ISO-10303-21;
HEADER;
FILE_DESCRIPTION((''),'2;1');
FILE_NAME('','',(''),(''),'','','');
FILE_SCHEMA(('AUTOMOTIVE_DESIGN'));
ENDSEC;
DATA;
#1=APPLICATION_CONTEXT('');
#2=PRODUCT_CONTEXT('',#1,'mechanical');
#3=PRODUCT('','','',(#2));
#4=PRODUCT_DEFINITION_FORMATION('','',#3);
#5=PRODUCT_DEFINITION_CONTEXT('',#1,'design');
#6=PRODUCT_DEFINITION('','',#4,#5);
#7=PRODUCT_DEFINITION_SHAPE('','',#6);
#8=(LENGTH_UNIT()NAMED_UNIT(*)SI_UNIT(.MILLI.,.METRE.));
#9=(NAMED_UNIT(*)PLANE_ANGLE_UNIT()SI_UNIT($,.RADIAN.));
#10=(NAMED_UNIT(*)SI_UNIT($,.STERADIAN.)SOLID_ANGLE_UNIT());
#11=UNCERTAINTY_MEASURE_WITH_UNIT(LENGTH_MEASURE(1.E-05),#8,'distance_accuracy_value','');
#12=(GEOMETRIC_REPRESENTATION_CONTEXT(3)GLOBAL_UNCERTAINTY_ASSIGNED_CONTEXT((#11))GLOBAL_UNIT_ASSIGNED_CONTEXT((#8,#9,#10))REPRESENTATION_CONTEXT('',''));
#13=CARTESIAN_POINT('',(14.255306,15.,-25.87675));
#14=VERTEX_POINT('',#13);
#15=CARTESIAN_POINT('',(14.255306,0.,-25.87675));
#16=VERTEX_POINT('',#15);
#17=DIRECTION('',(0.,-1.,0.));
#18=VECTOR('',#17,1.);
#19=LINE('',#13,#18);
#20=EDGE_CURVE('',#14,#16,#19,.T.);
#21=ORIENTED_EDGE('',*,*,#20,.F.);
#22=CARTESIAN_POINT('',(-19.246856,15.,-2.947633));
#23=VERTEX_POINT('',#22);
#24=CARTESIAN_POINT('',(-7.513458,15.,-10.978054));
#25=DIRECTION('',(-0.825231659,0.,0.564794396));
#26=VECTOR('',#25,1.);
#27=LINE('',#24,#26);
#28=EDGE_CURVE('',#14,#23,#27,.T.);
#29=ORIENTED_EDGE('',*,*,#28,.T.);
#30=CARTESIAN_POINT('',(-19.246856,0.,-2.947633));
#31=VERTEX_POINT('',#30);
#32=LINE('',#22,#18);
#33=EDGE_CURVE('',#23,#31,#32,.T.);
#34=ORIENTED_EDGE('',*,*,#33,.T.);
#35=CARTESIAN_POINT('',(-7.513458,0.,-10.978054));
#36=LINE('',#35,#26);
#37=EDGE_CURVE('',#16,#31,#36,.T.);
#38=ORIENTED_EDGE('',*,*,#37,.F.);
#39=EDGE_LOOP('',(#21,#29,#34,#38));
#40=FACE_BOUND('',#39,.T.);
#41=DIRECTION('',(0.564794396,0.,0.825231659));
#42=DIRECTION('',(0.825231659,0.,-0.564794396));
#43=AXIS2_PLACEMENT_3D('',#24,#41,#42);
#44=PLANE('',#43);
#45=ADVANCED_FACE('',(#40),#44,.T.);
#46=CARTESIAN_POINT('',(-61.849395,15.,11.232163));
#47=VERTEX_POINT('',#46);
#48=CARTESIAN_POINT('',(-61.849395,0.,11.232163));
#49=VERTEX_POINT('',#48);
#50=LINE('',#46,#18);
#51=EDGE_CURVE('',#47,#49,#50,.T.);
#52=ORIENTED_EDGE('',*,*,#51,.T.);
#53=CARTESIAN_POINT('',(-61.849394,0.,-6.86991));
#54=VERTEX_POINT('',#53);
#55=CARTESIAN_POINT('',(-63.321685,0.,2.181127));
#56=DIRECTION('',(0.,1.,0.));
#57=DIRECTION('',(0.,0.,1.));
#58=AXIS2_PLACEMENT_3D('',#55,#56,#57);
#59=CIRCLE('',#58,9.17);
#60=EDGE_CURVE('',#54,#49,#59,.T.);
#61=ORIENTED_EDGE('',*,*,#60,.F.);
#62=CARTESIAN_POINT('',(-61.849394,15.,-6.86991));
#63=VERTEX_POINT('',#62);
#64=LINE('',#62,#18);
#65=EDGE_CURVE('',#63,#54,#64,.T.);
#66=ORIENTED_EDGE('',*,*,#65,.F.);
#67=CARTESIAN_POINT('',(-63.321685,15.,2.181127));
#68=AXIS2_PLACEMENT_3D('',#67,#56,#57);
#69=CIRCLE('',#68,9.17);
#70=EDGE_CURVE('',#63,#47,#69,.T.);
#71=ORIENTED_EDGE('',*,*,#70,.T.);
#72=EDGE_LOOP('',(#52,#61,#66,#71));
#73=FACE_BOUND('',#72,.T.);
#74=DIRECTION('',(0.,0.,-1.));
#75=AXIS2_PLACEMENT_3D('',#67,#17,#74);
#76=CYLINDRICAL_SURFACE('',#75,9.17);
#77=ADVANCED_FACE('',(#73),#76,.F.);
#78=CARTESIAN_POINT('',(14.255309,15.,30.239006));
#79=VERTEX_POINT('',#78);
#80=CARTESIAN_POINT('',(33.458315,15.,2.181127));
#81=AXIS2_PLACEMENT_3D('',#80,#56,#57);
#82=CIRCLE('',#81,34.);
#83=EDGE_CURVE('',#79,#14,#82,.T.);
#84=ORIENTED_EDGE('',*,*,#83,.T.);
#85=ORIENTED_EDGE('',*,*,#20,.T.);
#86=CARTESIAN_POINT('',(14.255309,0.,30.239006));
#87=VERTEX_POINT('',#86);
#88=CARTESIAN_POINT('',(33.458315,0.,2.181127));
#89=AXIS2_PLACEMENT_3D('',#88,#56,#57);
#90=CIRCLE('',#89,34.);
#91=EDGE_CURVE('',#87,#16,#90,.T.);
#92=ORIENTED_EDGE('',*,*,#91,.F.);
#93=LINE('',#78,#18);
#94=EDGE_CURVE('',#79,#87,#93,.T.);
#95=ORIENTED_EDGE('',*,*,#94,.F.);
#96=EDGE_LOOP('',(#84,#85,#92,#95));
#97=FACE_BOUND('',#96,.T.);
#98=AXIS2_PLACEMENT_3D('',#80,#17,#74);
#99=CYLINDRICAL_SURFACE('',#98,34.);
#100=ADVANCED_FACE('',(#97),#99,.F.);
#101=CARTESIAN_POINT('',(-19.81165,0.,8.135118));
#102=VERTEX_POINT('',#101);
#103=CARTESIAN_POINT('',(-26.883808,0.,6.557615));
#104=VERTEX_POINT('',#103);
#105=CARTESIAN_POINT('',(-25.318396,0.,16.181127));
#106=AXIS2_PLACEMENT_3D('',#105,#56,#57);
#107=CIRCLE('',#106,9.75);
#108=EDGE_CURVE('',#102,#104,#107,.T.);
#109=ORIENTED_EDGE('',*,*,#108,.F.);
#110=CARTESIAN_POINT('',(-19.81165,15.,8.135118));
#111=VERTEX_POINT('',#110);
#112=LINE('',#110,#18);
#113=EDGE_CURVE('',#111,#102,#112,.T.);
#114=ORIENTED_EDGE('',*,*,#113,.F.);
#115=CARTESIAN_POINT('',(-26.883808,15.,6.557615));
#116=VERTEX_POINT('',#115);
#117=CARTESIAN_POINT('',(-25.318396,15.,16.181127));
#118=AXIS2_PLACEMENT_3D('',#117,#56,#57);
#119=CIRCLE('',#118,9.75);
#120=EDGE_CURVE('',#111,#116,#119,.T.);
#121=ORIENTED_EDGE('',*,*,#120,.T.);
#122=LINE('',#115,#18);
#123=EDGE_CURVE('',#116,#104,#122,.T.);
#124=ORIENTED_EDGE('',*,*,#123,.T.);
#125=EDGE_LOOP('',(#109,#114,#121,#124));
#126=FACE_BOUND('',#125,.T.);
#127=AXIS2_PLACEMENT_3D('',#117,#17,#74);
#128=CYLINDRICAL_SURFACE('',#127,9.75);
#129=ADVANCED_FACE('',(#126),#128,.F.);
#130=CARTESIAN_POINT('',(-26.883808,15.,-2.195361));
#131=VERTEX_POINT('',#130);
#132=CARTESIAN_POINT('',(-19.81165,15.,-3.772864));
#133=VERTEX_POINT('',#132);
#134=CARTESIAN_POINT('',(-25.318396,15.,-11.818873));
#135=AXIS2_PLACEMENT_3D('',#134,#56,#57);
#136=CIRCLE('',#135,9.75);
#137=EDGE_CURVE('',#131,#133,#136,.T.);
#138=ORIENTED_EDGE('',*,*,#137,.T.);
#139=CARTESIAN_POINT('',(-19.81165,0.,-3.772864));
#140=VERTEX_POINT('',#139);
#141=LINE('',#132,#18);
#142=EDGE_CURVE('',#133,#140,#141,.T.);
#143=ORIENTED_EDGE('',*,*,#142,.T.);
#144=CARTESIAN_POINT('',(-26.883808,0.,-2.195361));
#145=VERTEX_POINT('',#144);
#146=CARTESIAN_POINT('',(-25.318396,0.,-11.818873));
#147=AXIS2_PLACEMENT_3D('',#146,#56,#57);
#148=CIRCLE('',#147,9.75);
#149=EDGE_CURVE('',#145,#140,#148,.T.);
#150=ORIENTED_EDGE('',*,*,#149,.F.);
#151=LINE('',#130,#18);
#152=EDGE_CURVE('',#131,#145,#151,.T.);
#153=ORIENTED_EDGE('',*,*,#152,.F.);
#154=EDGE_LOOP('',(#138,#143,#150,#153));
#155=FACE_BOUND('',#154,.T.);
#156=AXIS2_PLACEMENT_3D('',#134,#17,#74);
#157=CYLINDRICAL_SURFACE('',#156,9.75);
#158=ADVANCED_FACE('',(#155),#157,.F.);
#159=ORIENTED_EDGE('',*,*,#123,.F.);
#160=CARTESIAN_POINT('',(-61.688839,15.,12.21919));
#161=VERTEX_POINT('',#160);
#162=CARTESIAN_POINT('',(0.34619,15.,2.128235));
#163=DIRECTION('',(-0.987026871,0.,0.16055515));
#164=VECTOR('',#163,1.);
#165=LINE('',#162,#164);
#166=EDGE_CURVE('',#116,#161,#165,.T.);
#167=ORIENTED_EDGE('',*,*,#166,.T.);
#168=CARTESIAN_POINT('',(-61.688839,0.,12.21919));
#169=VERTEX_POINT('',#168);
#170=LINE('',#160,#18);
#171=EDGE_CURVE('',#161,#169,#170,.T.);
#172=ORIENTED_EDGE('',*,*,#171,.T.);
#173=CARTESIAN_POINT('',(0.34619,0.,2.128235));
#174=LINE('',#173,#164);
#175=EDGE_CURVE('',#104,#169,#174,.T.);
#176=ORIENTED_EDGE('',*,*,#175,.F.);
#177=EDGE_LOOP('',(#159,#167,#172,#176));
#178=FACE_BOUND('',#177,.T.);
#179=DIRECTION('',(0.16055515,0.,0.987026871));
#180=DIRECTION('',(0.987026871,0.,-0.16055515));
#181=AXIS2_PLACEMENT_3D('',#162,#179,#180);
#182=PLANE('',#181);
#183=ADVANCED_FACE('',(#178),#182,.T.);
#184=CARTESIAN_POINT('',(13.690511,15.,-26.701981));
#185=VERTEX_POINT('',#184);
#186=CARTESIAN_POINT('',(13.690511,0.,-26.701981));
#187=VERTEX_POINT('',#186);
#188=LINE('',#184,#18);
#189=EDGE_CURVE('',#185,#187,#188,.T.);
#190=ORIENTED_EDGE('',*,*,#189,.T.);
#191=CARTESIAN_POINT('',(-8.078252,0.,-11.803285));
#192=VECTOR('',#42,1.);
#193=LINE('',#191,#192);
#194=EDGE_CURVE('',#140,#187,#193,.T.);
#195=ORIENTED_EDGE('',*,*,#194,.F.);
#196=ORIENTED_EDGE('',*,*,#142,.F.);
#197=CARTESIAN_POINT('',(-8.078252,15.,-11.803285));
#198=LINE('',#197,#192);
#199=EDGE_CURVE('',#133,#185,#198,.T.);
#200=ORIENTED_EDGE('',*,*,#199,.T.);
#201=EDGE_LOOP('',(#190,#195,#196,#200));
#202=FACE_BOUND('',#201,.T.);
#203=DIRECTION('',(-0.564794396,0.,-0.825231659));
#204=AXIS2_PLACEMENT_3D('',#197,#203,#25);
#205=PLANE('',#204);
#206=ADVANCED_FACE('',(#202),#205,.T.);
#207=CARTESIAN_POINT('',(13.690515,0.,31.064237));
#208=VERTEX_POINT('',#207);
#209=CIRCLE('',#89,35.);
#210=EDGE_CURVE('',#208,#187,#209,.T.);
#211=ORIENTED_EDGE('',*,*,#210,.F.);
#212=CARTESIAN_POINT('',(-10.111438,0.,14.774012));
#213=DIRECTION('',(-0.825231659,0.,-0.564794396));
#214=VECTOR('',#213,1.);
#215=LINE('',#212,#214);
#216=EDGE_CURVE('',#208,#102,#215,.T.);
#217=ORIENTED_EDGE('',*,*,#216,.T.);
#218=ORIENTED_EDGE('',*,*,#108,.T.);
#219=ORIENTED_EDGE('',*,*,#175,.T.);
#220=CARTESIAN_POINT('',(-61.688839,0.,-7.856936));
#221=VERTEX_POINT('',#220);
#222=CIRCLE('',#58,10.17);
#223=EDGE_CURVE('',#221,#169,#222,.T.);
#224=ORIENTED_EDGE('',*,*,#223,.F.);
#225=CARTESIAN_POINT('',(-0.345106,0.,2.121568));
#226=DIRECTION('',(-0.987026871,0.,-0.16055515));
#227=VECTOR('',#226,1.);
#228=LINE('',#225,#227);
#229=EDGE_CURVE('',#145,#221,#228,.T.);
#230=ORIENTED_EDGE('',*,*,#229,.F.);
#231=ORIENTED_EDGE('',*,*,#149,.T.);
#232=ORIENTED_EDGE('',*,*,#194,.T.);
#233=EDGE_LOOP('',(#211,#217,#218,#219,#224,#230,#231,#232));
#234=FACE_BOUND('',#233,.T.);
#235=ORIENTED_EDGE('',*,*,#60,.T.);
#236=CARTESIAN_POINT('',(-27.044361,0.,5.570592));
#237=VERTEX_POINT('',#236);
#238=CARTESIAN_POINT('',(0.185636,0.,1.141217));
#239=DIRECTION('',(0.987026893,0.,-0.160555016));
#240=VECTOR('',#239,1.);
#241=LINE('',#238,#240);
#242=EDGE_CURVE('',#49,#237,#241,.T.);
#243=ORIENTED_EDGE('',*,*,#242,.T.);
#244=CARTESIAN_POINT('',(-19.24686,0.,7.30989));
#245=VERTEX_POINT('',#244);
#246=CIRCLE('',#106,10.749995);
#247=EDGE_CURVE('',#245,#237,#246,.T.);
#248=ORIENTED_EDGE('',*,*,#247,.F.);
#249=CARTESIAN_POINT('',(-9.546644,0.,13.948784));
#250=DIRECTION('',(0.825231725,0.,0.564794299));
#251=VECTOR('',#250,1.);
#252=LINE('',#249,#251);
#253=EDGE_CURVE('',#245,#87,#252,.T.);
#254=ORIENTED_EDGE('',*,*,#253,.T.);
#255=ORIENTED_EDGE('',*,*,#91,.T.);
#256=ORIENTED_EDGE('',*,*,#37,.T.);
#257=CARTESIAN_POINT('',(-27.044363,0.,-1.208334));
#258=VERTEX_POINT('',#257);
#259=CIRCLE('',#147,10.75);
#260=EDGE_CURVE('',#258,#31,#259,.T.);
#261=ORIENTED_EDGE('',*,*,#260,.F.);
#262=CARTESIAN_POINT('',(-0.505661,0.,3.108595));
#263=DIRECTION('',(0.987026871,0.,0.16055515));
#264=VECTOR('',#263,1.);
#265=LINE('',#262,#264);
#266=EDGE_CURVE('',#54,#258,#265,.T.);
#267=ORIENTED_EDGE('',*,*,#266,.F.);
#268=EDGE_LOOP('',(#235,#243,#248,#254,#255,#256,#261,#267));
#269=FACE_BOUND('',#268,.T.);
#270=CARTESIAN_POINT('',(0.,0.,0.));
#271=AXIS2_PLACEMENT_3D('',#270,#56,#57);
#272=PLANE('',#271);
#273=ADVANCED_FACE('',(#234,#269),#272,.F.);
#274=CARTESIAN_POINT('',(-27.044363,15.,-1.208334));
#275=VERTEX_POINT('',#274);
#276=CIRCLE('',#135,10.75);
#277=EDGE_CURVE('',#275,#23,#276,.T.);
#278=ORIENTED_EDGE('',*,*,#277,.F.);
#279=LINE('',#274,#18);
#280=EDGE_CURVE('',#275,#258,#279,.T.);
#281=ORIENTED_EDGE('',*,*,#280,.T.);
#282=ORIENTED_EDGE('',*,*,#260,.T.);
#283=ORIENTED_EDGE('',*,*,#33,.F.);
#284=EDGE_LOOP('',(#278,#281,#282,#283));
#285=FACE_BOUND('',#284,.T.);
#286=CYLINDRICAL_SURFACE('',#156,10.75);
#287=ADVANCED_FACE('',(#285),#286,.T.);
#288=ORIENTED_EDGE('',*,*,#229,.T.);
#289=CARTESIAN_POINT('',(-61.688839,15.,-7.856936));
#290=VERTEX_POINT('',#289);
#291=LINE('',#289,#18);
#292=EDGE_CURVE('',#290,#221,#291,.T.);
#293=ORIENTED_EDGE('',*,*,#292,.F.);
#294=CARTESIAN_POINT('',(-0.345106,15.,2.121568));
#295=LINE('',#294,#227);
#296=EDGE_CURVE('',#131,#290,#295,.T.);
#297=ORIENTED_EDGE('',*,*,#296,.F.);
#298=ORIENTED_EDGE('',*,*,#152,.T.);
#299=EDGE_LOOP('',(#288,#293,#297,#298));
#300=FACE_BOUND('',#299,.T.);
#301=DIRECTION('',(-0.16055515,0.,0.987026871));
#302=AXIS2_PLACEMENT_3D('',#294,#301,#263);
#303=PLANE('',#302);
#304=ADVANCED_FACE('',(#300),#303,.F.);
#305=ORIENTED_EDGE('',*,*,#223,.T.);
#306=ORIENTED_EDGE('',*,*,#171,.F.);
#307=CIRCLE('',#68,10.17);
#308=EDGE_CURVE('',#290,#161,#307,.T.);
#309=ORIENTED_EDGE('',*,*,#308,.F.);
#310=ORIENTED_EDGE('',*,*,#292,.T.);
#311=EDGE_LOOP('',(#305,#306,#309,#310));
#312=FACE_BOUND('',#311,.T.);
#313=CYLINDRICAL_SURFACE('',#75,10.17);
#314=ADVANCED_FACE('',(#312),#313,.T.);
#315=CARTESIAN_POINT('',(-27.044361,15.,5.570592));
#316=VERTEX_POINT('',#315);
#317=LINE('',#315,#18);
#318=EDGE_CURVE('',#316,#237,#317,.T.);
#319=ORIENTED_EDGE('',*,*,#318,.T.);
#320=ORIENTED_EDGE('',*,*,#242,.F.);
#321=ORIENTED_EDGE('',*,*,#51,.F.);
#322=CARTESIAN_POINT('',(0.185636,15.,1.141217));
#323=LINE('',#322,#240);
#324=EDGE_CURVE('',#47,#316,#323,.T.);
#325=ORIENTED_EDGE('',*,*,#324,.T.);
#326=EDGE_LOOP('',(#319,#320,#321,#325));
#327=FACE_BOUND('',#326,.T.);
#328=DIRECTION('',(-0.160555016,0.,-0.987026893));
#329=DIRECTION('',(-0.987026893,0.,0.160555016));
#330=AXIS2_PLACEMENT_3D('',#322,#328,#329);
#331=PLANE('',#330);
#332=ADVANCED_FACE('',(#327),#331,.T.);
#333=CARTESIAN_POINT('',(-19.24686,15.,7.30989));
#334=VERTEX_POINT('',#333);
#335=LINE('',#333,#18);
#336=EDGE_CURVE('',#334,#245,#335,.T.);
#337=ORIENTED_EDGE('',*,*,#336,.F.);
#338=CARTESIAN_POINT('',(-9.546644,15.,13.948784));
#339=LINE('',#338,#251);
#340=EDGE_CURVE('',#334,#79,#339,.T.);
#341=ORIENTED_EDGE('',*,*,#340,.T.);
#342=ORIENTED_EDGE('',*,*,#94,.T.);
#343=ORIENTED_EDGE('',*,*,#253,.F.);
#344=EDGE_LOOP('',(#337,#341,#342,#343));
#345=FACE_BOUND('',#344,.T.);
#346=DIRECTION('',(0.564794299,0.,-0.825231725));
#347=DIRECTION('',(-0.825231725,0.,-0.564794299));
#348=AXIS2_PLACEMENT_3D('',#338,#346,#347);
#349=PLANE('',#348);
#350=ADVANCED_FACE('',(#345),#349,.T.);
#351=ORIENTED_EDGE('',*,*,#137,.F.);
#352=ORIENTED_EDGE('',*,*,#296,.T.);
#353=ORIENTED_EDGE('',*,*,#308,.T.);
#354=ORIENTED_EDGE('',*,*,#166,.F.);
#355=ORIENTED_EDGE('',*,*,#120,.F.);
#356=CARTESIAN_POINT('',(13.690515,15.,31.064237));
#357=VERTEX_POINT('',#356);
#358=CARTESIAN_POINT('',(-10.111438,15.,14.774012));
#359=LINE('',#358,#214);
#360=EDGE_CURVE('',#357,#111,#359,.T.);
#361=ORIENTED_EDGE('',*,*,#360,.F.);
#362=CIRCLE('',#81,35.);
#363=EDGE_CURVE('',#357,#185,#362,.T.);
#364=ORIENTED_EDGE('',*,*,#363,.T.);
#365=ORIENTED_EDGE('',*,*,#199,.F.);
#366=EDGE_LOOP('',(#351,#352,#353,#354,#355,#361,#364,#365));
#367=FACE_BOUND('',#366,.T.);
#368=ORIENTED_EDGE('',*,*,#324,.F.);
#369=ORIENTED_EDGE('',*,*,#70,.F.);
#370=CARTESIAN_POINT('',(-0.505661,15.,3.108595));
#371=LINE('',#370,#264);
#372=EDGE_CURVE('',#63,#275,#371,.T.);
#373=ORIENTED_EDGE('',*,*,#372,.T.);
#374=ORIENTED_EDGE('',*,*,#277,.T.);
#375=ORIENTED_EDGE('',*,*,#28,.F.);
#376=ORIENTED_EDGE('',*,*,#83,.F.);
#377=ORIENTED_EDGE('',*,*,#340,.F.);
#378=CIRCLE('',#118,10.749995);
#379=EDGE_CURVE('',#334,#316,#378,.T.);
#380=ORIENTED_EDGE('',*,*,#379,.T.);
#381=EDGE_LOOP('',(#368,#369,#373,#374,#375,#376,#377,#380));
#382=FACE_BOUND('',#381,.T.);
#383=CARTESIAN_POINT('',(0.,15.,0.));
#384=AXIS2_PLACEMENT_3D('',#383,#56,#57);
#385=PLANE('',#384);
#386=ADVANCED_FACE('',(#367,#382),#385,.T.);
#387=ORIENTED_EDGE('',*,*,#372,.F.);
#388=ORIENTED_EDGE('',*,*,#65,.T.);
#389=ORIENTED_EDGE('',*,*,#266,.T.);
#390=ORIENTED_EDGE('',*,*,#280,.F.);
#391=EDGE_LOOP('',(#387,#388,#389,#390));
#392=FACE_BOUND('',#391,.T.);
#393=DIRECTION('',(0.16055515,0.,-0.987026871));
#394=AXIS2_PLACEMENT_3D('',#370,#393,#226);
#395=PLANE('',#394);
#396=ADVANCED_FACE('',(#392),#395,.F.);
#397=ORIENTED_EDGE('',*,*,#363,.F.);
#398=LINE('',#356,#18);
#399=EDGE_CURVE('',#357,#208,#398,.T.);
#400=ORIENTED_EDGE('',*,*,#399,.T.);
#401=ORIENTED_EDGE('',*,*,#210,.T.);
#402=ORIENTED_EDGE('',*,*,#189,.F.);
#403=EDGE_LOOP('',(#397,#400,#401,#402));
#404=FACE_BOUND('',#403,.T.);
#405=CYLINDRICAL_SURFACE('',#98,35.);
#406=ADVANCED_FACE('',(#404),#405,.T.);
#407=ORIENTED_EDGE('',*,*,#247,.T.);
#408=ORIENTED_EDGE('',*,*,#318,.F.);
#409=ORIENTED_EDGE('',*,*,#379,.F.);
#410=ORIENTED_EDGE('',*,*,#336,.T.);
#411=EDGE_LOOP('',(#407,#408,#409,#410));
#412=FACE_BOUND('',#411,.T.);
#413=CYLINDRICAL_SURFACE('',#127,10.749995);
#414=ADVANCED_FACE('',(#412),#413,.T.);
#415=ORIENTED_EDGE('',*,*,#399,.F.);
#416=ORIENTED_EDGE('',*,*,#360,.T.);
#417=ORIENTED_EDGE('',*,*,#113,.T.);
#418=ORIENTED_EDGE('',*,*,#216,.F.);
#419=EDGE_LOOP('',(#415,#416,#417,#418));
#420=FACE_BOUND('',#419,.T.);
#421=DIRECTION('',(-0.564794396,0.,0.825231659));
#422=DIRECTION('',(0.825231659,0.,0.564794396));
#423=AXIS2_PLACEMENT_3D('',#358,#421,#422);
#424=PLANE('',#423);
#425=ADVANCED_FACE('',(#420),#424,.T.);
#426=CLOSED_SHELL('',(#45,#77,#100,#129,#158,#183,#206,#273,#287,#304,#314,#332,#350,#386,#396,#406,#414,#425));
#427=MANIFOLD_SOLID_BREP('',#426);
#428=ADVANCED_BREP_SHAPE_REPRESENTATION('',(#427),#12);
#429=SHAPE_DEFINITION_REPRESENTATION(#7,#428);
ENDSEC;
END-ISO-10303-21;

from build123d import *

# Parameters (mm, degrees)
BOSS_EXTRUDE1_DEPTH = 15


with BuildPart() as part:
    # Sketch1 → Boss-Extrude1 (new body)
    with BuildSketch(Plane(origin=(0, 0, 0), x_dir=(1, 0, 0), z_dir=(0, 1, 0))):
        with BuildLine():
            Line((13.690511277, 26.701981164), (-19.81165019, 3.772864432))
            ThreePointArc((-19.81165019, 3.772864432), (-23.19574274, 2.302737069), (-26.883808256, 2.195361114))
            Line((-26.883808256, 2.195361114), (-61.688839006, 7.856936383))
            ThreePointArc((-61.688839006, 7.856936383), (-73.491684878, -2.181126894), (-61.688839006, -12.219190171))
            Line((-61.688839006, -12.219190171), (-26.883808256, -6.557614903))
            ThreePointArc((-26.883808256, -6.557614903), (-23.19574274, -6.664990858), (-19.81165019, -8.135118221))
            Line((-19.81165019, -8.135118221), (13.690514664, -31.064237271))
            ThreePointArc((13.690514664, -31.064237271), (68.458315122, -2.181124842), (13.690511277, 26.701981164))
        make_face()
        with BuildLine():
            ThreePointArc((-61.849395377, -11.232163499), (-72.491684878, -2.181126275), (-61.849394155, 6.869909512))
            Line((-61.849394155, 6.869909512), (-27.044363406, 1.208334243))
            ThreePointArc((-27.044363406, 1.208334243), (-22.978034759, 1.326723117), (-19.246855794, 2.947632773))
            Line((-19.246855794, 2.947632773), (14.255305672, 25.876749506))
            ThreePointArc((14.255305672, 25.876749506), (67.458315122, -2.181124901), (14.255308962, -30.239005546))
            Line((14.255308962, -30.239005546), (-19.246859523, -7.309889779))
            ThreePointArc((-19.246859523, -7.309889779), (-22.978035703, -5.688981573), (-27.044361209, -5.570592498))
            Line((-27.044361209, -5.570592498), (-61.849395377, -11.232163499))
        make_face(mode=Mode.SUBTRACT)
    extrude(amount=BOSS_EXTRUDE1_DEPTH)


solid = part.part
